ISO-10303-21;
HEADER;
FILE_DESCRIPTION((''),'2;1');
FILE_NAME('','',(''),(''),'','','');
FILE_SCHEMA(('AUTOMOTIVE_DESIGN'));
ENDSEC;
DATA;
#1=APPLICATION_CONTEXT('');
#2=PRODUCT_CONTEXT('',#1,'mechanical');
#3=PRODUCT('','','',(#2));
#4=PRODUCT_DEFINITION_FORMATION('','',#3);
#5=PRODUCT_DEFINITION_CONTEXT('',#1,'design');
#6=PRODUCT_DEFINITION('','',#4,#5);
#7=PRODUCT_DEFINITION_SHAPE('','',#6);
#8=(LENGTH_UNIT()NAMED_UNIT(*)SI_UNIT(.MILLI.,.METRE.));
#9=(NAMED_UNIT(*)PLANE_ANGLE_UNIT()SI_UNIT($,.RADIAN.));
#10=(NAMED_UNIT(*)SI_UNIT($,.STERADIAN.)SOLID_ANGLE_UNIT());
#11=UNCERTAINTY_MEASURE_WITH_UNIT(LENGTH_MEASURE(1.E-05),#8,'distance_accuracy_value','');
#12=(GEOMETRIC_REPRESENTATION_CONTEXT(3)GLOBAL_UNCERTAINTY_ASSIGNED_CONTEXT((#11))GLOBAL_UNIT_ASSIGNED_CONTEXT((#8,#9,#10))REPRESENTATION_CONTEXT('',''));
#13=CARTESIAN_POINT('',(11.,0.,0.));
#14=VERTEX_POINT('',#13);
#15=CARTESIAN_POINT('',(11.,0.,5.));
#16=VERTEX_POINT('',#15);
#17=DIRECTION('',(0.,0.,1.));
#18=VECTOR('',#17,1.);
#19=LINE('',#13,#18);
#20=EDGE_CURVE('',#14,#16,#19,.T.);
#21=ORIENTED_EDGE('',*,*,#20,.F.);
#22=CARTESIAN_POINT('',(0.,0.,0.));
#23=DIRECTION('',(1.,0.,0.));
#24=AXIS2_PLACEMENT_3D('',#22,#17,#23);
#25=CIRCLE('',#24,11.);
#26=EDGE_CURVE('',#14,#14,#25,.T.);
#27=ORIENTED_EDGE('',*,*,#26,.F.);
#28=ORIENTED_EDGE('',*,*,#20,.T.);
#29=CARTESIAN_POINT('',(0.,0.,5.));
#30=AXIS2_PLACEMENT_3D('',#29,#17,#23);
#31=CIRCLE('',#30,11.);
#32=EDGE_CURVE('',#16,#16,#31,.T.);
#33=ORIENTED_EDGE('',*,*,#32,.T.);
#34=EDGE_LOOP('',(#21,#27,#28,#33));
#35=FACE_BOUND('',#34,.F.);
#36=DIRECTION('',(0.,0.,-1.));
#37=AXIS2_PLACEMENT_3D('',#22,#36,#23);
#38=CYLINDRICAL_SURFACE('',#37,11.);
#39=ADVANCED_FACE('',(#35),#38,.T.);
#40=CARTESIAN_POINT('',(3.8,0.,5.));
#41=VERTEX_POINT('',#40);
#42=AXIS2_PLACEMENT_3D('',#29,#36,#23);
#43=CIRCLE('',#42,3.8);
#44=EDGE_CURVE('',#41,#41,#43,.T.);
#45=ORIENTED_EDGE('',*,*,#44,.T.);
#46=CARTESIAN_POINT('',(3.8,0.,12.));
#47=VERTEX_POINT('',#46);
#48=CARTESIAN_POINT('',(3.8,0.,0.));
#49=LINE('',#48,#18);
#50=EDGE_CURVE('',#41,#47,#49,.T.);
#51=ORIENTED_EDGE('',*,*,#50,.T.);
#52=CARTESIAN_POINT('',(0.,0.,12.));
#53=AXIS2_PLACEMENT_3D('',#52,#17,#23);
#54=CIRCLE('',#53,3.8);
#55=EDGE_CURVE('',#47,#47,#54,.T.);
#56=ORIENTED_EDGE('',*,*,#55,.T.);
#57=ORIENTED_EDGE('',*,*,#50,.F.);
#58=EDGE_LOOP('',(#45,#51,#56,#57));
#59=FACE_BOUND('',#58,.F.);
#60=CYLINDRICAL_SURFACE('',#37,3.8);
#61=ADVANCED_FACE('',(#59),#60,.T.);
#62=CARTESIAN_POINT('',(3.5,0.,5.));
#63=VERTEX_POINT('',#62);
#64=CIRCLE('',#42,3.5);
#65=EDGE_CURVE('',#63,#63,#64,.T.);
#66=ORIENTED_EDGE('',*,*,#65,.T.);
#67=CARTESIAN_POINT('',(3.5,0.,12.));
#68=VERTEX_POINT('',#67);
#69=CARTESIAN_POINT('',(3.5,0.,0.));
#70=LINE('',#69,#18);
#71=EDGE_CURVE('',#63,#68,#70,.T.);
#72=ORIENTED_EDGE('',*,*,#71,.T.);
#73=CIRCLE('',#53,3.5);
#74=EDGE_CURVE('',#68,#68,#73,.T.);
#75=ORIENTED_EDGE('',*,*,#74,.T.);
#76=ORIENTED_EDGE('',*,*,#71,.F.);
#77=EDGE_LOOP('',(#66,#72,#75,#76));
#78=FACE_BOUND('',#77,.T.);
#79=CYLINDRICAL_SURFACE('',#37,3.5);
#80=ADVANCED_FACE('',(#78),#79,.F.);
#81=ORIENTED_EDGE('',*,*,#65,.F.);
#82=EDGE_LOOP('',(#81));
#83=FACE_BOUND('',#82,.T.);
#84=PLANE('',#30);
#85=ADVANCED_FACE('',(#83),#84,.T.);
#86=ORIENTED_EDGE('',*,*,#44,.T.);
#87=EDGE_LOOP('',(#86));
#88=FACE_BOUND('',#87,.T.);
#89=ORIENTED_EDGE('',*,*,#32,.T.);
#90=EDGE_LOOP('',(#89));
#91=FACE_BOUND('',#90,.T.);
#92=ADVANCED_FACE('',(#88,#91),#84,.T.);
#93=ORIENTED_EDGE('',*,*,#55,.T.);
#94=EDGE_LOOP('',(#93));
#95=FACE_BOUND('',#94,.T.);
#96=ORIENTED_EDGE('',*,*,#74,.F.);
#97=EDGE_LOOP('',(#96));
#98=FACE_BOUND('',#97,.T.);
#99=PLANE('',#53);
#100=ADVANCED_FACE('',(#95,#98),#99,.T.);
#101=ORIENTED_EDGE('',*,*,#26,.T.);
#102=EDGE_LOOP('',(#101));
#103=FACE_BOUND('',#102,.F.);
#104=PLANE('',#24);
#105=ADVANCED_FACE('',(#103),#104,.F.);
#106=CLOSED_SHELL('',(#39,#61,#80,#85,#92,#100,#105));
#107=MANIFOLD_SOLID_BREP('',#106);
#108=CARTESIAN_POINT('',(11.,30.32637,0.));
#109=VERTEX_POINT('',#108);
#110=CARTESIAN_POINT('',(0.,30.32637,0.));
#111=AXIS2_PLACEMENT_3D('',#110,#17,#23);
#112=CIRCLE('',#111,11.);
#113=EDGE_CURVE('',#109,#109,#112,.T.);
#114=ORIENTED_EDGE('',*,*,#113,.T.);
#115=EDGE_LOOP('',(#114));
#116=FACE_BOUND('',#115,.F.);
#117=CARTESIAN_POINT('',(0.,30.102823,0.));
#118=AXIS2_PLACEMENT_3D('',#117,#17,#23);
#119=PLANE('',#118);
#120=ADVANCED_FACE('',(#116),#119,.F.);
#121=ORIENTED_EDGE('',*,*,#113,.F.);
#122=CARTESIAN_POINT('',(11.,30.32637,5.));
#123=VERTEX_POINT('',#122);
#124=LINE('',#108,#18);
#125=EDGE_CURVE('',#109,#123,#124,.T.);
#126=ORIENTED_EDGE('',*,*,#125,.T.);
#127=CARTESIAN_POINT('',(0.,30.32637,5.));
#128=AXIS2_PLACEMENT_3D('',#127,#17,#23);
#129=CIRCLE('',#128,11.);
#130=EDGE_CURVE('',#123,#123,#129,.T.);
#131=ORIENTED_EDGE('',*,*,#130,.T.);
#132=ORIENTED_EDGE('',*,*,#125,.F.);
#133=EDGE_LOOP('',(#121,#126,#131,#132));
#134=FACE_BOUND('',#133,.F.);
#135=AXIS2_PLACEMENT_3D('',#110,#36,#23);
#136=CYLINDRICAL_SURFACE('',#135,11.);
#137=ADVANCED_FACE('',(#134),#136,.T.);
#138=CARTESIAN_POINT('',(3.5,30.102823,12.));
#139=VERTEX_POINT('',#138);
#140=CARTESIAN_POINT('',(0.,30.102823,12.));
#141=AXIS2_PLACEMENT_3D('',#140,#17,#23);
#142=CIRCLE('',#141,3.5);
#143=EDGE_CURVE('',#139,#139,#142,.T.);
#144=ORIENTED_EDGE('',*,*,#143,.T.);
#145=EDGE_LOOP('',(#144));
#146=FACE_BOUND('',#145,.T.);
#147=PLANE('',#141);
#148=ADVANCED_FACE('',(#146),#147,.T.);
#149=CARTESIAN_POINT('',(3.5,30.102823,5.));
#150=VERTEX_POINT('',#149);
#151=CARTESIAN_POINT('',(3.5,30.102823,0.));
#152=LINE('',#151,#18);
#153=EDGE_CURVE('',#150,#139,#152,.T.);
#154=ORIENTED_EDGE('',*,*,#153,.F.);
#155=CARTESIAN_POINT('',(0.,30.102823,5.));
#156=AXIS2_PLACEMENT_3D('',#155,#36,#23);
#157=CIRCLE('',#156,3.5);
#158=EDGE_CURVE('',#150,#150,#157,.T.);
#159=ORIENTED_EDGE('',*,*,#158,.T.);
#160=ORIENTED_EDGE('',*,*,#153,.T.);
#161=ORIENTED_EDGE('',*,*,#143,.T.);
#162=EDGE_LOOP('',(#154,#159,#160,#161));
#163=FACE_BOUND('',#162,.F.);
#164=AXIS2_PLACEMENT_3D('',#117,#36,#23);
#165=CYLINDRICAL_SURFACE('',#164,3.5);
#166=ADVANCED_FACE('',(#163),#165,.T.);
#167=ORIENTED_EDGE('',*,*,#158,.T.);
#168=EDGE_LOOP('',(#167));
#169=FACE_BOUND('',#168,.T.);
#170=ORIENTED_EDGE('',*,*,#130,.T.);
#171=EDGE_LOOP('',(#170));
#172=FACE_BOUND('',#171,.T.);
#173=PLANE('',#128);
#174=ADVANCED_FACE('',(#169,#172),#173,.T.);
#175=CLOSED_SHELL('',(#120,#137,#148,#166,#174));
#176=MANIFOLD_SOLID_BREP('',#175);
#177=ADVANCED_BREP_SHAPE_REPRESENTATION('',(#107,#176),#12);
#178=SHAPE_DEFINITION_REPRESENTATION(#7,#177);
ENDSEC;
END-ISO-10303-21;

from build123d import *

# Parameters (mm, degrees)
F0_R     = 11
F1_DEPTH = 5
F2_R     = 3.8
F2_R_2   = 3.5
F3_DEPTH = 12
F4_R     = 3.5
F5_DEPTH = 12


with BuildPart() as f1:
    # F0 (on Top) → F1 (new body)
    with BuildSketch(Plane.XY):
        Circle(F0_R)
        with Locations((0, 30.32637)):
            Circle(F0_R)
    extrude(amount=F1_DEPTH)

    # F2 (on Top) → F3 (join)
    with BuildSketch(Plane.XY):
        Circle(F2_R)
        Circle(F2_R_2, mode=Mode.SUBTRACT)
    extrude(amount=F3_DEPTH)

    # F4 (on Top) → F5 (join)
    with BuildSketch(Plane.XY):
        with Locations((0, 30.102823)):
            Circle(F4_R)
    extrude(amount=F5_DEPTH)


solid = f1.part
